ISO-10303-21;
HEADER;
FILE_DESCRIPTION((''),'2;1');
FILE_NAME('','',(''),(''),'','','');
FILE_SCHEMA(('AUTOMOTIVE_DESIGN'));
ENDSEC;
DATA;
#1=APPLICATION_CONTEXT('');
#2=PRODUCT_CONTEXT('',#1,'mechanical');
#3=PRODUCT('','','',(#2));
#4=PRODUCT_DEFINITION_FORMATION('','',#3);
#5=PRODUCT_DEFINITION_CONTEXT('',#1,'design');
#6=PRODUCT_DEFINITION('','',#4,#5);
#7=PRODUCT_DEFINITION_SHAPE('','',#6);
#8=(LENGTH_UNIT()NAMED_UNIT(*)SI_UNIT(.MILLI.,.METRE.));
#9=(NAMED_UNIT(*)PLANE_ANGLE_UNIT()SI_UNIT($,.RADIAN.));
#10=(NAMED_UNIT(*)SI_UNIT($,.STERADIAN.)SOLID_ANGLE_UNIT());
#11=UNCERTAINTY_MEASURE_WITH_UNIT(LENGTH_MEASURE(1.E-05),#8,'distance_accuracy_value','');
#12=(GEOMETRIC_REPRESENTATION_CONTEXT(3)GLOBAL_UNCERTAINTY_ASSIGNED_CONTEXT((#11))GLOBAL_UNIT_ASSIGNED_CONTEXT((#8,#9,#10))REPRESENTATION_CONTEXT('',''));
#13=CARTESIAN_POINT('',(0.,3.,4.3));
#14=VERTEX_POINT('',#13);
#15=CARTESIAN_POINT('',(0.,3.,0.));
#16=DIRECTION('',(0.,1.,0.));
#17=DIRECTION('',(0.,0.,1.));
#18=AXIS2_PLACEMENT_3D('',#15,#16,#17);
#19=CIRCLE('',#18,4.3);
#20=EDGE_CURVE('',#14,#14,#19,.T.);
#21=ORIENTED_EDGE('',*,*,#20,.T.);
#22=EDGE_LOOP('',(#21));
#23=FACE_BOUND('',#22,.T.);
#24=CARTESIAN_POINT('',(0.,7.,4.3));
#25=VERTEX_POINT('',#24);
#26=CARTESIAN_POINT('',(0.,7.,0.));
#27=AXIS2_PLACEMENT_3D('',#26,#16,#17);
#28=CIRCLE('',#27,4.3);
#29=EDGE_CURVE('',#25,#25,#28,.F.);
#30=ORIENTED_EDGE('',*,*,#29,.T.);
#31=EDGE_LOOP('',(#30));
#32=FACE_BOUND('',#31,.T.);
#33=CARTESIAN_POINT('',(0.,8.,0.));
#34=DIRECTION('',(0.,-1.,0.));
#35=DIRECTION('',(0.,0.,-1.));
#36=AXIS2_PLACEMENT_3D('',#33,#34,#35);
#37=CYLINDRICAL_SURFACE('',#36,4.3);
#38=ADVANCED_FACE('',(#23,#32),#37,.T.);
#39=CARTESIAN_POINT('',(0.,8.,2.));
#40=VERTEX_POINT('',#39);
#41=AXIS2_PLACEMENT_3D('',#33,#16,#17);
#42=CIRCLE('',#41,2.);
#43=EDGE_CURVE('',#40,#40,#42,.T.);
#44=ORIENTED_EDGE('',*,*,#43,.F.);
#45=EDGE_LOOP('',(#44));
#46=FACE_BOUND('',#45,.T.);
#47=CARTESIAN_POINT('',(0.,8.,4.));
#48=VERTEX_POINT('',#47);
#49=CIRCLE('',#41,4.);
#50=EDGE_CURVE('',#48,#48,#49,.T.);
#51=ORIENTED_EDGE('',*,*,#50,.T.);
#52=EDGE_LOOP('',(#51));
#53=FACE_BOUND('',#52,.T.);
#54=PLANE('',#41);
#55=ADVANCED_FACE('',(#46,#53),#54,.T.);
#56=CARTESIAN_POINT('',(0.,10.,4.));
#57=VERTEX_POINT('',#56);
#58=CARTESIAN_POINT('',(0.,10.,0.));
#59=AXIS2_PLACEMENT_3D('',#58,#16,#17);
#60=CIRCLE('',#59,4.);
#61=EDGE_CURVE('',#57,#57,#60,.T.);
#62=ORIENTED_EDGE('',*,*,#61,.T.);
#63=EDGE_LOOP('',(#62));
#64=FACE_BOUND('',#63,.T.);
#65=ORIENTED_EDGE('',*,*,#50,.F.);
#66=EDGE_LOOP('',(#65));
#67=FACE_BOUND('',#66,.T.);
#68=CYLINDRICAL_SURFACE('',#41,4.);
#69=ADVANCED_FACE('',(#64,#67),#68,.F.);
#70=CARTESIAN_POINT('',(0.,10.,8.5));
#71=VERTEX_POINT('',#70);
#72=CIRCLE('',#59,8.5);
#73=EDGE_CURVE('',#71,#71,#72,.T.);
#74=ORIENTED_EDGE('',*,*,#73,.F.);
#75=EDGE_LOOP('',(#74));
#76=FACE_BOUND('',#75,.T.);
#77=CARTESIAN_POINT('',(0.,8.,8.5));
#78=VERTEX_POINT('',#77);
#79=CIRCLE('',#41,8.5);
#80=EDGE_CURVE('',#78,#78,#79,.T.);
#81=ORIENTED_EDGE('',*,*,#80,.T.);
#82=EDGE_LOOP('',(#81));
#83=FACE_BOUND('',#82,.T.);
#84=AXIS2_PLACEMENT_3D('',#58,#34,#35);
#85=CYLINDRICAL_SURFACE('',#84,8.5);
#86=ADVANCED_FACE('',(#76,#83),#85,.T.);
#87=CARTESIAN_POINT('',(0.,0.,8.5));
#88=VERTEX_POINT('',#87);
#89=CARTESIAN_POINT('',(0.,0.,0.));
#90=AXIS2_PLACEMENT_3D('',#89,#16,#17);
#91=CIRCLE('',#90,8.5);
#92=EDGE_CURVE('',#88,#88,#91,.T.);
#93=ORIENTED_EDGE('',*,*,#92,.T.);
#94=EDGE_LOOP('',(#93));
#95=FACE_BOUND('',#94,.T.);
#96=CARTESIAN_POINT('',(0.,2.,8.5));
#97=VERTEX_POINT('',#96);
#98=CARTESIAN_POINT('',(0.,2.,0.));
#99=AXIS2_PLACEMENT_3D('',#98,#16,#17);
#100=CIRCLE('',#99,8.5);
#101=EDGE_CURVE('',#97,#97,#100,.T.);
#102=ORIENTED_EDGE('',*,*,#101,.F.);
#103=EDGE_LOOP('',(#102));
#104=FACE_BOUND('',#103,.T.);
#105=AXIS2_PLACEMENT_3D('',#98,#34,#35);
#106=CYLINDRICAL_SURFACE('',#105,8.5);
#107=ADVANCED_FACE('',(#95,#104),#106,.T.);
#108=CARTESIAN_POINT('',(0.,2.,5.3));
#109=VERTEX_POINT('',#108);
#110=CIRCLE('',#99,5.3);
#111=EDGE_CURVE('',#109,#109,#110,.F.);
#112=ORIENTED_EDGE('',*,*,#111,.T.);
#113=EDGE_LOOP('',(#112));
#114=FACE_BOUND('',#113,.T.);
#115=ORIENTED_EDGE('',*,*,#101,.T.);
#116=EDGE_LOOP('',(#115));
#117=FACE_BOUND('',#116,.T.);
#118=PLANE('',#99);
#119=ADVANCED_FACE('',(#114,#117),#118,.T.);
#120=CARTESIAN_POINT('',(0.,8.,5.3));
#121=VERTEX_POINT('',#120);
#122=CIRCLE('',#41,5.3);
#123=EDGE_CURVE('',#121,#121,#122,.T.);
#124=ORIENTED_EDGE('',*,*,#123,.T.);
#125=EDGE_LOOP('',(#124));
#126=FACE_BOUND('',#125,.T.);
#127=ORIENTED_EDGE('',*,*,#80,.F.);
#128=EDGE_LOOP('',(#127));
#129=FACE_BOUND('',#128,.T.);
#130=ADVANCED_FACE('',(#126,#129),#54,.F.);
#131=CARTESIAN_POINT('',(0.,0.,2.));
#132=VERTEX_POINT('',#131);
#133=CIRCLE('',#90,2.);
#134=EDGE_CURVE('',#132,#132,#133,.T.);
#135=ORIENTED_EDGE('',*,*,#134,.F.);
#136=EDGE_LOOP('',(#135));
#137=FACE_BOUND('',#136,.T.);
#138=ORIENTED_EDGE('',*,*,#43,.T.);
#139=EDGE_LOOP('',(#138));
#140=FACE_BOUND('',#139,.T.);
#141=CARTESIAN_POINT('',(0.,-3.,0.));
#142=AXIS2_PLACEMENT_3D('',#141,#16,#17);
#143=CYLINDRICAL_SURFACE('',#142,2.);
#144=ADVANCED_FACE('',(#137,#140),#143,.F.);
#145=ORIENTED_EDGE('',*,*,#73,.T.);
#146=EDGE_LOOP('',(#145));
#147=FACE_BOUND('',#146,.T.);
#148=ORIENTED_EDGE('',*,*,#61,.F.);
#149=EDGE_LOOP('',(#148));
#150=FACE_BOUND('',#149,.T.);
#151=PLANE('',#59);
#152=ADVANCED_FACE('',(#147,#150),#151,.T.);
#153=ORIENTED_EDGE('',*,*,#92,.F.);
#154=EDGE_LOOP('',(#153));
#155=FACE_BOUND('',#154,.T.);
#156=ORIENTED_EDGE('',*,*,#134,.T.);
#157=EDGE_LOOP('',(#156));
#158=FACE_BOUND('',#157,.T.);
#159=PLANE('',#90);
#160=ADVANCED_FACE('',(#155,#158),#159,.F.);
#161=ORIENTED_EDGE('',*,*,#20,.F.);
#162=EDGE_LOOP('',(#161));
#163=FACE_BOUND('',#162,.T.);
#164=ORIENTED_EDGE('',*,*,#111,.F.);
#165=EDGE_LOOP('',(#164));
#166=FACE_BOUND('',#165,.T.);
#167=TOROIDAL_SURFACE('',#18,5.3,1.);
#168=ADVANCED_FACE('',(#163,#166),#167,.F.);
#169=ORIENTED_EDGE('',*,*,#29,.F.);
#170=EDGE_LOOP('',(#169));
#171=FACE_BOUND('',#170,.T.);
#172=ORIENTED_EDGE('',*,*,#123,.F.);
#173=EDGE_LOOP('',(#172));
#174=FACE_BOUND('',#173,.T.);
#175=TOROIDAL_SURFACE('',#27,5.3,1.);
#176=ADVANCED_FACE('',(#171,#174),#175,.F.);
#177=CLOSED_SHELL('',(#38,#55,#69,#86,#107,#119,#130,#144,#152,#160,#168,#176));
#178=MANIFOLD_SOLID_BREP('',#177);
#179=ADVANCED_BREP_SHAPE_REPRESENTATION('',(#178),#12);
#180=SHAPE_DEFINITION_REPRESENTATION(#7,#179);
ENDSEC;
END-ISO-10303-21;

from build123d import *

# Parameters (mm, degrees)
SKETCH1_R           = 8.5
BOSS_EXTRUDE1_DEPTH = 2
SKETCH2_R           = 4.3
BOSS_EXTRUDE2_DEPTH = 6
SKETCH3_R           = 8.5
BOSS_EXTRUDE3_DEPTH = 2
SKETCH4_R           = 4
CUT_EXTRUDE1_DEPTH  = 2
SKETCH5_R           = 2
CUT_EXTRUDE2_DEPTH  = 11
FILLET1_R           = 1


with BuildPart() as part:
    # Sketch1 → Boss-Extrude1 (new body)
    with BuildSketch(Plane(origin=(0, 0, 0), x_dir=(1, 0, 0), z_dir=(0, 1, 0))):
        Circle(SKETCH1_R)
    extrude(amount=BOSS_EXTRUDE1_DEPTH)

    # Sketch2 → Boss-Extrude2 (add)
    with BuildSketch(Plane(origin=(0, 2, 0), x_dir=(1, 0, 0), z_dir=(0, 1, 0))):
        Circle(SKETCH2_R)
    extrude(amount=BOSS_EXTRUDE2_DEPTH)

    # Sketch3 → Boss-Extrude3 (add)
    with BuildSketch(Plane(origin=(0, 8, 0), x_dir=(1, 0, 0), z_dir=(0, 1, 0))):
        Circle(SKETCH3_R)
    extrude(amount=BOSS_EXTRUDE3_DEPTH)

    # Sketch4 → Cut-Extrude1 (cut)
    with BuildSketch(Plane(origin=(0, 10, 0), x_dir=(1, 0, 0), z_dir=(0, 1, 0))):
        Circle(SKETCH4_R)
    extrude(amount=-CUT_EXTRUDE1_DEPTH, mode=Mode.SUBTRACT)

    # Sketch5 → Cut-Extrude2 (cut)
    with BuildSketch(Plane(origin=(0, 8, 0), x_dir=(1, 0, 0), z_dir=(0, 1, 0))):
        Circle(SKETCH5_R)
    extrude(amount=-CUT_EXTRUDE2_DEPTH, mode=Mode.SUBTRACT)

    # Fillet1
    fillet1_edges = [part.edges().sort_by_distance(p)[0] for p in [
        (-4.3, 2, 0),
        (-4.3, 8, 0),
    ]]
    fillet(fillet1_edges, radius=FILLET1_R)


solid = part.part
